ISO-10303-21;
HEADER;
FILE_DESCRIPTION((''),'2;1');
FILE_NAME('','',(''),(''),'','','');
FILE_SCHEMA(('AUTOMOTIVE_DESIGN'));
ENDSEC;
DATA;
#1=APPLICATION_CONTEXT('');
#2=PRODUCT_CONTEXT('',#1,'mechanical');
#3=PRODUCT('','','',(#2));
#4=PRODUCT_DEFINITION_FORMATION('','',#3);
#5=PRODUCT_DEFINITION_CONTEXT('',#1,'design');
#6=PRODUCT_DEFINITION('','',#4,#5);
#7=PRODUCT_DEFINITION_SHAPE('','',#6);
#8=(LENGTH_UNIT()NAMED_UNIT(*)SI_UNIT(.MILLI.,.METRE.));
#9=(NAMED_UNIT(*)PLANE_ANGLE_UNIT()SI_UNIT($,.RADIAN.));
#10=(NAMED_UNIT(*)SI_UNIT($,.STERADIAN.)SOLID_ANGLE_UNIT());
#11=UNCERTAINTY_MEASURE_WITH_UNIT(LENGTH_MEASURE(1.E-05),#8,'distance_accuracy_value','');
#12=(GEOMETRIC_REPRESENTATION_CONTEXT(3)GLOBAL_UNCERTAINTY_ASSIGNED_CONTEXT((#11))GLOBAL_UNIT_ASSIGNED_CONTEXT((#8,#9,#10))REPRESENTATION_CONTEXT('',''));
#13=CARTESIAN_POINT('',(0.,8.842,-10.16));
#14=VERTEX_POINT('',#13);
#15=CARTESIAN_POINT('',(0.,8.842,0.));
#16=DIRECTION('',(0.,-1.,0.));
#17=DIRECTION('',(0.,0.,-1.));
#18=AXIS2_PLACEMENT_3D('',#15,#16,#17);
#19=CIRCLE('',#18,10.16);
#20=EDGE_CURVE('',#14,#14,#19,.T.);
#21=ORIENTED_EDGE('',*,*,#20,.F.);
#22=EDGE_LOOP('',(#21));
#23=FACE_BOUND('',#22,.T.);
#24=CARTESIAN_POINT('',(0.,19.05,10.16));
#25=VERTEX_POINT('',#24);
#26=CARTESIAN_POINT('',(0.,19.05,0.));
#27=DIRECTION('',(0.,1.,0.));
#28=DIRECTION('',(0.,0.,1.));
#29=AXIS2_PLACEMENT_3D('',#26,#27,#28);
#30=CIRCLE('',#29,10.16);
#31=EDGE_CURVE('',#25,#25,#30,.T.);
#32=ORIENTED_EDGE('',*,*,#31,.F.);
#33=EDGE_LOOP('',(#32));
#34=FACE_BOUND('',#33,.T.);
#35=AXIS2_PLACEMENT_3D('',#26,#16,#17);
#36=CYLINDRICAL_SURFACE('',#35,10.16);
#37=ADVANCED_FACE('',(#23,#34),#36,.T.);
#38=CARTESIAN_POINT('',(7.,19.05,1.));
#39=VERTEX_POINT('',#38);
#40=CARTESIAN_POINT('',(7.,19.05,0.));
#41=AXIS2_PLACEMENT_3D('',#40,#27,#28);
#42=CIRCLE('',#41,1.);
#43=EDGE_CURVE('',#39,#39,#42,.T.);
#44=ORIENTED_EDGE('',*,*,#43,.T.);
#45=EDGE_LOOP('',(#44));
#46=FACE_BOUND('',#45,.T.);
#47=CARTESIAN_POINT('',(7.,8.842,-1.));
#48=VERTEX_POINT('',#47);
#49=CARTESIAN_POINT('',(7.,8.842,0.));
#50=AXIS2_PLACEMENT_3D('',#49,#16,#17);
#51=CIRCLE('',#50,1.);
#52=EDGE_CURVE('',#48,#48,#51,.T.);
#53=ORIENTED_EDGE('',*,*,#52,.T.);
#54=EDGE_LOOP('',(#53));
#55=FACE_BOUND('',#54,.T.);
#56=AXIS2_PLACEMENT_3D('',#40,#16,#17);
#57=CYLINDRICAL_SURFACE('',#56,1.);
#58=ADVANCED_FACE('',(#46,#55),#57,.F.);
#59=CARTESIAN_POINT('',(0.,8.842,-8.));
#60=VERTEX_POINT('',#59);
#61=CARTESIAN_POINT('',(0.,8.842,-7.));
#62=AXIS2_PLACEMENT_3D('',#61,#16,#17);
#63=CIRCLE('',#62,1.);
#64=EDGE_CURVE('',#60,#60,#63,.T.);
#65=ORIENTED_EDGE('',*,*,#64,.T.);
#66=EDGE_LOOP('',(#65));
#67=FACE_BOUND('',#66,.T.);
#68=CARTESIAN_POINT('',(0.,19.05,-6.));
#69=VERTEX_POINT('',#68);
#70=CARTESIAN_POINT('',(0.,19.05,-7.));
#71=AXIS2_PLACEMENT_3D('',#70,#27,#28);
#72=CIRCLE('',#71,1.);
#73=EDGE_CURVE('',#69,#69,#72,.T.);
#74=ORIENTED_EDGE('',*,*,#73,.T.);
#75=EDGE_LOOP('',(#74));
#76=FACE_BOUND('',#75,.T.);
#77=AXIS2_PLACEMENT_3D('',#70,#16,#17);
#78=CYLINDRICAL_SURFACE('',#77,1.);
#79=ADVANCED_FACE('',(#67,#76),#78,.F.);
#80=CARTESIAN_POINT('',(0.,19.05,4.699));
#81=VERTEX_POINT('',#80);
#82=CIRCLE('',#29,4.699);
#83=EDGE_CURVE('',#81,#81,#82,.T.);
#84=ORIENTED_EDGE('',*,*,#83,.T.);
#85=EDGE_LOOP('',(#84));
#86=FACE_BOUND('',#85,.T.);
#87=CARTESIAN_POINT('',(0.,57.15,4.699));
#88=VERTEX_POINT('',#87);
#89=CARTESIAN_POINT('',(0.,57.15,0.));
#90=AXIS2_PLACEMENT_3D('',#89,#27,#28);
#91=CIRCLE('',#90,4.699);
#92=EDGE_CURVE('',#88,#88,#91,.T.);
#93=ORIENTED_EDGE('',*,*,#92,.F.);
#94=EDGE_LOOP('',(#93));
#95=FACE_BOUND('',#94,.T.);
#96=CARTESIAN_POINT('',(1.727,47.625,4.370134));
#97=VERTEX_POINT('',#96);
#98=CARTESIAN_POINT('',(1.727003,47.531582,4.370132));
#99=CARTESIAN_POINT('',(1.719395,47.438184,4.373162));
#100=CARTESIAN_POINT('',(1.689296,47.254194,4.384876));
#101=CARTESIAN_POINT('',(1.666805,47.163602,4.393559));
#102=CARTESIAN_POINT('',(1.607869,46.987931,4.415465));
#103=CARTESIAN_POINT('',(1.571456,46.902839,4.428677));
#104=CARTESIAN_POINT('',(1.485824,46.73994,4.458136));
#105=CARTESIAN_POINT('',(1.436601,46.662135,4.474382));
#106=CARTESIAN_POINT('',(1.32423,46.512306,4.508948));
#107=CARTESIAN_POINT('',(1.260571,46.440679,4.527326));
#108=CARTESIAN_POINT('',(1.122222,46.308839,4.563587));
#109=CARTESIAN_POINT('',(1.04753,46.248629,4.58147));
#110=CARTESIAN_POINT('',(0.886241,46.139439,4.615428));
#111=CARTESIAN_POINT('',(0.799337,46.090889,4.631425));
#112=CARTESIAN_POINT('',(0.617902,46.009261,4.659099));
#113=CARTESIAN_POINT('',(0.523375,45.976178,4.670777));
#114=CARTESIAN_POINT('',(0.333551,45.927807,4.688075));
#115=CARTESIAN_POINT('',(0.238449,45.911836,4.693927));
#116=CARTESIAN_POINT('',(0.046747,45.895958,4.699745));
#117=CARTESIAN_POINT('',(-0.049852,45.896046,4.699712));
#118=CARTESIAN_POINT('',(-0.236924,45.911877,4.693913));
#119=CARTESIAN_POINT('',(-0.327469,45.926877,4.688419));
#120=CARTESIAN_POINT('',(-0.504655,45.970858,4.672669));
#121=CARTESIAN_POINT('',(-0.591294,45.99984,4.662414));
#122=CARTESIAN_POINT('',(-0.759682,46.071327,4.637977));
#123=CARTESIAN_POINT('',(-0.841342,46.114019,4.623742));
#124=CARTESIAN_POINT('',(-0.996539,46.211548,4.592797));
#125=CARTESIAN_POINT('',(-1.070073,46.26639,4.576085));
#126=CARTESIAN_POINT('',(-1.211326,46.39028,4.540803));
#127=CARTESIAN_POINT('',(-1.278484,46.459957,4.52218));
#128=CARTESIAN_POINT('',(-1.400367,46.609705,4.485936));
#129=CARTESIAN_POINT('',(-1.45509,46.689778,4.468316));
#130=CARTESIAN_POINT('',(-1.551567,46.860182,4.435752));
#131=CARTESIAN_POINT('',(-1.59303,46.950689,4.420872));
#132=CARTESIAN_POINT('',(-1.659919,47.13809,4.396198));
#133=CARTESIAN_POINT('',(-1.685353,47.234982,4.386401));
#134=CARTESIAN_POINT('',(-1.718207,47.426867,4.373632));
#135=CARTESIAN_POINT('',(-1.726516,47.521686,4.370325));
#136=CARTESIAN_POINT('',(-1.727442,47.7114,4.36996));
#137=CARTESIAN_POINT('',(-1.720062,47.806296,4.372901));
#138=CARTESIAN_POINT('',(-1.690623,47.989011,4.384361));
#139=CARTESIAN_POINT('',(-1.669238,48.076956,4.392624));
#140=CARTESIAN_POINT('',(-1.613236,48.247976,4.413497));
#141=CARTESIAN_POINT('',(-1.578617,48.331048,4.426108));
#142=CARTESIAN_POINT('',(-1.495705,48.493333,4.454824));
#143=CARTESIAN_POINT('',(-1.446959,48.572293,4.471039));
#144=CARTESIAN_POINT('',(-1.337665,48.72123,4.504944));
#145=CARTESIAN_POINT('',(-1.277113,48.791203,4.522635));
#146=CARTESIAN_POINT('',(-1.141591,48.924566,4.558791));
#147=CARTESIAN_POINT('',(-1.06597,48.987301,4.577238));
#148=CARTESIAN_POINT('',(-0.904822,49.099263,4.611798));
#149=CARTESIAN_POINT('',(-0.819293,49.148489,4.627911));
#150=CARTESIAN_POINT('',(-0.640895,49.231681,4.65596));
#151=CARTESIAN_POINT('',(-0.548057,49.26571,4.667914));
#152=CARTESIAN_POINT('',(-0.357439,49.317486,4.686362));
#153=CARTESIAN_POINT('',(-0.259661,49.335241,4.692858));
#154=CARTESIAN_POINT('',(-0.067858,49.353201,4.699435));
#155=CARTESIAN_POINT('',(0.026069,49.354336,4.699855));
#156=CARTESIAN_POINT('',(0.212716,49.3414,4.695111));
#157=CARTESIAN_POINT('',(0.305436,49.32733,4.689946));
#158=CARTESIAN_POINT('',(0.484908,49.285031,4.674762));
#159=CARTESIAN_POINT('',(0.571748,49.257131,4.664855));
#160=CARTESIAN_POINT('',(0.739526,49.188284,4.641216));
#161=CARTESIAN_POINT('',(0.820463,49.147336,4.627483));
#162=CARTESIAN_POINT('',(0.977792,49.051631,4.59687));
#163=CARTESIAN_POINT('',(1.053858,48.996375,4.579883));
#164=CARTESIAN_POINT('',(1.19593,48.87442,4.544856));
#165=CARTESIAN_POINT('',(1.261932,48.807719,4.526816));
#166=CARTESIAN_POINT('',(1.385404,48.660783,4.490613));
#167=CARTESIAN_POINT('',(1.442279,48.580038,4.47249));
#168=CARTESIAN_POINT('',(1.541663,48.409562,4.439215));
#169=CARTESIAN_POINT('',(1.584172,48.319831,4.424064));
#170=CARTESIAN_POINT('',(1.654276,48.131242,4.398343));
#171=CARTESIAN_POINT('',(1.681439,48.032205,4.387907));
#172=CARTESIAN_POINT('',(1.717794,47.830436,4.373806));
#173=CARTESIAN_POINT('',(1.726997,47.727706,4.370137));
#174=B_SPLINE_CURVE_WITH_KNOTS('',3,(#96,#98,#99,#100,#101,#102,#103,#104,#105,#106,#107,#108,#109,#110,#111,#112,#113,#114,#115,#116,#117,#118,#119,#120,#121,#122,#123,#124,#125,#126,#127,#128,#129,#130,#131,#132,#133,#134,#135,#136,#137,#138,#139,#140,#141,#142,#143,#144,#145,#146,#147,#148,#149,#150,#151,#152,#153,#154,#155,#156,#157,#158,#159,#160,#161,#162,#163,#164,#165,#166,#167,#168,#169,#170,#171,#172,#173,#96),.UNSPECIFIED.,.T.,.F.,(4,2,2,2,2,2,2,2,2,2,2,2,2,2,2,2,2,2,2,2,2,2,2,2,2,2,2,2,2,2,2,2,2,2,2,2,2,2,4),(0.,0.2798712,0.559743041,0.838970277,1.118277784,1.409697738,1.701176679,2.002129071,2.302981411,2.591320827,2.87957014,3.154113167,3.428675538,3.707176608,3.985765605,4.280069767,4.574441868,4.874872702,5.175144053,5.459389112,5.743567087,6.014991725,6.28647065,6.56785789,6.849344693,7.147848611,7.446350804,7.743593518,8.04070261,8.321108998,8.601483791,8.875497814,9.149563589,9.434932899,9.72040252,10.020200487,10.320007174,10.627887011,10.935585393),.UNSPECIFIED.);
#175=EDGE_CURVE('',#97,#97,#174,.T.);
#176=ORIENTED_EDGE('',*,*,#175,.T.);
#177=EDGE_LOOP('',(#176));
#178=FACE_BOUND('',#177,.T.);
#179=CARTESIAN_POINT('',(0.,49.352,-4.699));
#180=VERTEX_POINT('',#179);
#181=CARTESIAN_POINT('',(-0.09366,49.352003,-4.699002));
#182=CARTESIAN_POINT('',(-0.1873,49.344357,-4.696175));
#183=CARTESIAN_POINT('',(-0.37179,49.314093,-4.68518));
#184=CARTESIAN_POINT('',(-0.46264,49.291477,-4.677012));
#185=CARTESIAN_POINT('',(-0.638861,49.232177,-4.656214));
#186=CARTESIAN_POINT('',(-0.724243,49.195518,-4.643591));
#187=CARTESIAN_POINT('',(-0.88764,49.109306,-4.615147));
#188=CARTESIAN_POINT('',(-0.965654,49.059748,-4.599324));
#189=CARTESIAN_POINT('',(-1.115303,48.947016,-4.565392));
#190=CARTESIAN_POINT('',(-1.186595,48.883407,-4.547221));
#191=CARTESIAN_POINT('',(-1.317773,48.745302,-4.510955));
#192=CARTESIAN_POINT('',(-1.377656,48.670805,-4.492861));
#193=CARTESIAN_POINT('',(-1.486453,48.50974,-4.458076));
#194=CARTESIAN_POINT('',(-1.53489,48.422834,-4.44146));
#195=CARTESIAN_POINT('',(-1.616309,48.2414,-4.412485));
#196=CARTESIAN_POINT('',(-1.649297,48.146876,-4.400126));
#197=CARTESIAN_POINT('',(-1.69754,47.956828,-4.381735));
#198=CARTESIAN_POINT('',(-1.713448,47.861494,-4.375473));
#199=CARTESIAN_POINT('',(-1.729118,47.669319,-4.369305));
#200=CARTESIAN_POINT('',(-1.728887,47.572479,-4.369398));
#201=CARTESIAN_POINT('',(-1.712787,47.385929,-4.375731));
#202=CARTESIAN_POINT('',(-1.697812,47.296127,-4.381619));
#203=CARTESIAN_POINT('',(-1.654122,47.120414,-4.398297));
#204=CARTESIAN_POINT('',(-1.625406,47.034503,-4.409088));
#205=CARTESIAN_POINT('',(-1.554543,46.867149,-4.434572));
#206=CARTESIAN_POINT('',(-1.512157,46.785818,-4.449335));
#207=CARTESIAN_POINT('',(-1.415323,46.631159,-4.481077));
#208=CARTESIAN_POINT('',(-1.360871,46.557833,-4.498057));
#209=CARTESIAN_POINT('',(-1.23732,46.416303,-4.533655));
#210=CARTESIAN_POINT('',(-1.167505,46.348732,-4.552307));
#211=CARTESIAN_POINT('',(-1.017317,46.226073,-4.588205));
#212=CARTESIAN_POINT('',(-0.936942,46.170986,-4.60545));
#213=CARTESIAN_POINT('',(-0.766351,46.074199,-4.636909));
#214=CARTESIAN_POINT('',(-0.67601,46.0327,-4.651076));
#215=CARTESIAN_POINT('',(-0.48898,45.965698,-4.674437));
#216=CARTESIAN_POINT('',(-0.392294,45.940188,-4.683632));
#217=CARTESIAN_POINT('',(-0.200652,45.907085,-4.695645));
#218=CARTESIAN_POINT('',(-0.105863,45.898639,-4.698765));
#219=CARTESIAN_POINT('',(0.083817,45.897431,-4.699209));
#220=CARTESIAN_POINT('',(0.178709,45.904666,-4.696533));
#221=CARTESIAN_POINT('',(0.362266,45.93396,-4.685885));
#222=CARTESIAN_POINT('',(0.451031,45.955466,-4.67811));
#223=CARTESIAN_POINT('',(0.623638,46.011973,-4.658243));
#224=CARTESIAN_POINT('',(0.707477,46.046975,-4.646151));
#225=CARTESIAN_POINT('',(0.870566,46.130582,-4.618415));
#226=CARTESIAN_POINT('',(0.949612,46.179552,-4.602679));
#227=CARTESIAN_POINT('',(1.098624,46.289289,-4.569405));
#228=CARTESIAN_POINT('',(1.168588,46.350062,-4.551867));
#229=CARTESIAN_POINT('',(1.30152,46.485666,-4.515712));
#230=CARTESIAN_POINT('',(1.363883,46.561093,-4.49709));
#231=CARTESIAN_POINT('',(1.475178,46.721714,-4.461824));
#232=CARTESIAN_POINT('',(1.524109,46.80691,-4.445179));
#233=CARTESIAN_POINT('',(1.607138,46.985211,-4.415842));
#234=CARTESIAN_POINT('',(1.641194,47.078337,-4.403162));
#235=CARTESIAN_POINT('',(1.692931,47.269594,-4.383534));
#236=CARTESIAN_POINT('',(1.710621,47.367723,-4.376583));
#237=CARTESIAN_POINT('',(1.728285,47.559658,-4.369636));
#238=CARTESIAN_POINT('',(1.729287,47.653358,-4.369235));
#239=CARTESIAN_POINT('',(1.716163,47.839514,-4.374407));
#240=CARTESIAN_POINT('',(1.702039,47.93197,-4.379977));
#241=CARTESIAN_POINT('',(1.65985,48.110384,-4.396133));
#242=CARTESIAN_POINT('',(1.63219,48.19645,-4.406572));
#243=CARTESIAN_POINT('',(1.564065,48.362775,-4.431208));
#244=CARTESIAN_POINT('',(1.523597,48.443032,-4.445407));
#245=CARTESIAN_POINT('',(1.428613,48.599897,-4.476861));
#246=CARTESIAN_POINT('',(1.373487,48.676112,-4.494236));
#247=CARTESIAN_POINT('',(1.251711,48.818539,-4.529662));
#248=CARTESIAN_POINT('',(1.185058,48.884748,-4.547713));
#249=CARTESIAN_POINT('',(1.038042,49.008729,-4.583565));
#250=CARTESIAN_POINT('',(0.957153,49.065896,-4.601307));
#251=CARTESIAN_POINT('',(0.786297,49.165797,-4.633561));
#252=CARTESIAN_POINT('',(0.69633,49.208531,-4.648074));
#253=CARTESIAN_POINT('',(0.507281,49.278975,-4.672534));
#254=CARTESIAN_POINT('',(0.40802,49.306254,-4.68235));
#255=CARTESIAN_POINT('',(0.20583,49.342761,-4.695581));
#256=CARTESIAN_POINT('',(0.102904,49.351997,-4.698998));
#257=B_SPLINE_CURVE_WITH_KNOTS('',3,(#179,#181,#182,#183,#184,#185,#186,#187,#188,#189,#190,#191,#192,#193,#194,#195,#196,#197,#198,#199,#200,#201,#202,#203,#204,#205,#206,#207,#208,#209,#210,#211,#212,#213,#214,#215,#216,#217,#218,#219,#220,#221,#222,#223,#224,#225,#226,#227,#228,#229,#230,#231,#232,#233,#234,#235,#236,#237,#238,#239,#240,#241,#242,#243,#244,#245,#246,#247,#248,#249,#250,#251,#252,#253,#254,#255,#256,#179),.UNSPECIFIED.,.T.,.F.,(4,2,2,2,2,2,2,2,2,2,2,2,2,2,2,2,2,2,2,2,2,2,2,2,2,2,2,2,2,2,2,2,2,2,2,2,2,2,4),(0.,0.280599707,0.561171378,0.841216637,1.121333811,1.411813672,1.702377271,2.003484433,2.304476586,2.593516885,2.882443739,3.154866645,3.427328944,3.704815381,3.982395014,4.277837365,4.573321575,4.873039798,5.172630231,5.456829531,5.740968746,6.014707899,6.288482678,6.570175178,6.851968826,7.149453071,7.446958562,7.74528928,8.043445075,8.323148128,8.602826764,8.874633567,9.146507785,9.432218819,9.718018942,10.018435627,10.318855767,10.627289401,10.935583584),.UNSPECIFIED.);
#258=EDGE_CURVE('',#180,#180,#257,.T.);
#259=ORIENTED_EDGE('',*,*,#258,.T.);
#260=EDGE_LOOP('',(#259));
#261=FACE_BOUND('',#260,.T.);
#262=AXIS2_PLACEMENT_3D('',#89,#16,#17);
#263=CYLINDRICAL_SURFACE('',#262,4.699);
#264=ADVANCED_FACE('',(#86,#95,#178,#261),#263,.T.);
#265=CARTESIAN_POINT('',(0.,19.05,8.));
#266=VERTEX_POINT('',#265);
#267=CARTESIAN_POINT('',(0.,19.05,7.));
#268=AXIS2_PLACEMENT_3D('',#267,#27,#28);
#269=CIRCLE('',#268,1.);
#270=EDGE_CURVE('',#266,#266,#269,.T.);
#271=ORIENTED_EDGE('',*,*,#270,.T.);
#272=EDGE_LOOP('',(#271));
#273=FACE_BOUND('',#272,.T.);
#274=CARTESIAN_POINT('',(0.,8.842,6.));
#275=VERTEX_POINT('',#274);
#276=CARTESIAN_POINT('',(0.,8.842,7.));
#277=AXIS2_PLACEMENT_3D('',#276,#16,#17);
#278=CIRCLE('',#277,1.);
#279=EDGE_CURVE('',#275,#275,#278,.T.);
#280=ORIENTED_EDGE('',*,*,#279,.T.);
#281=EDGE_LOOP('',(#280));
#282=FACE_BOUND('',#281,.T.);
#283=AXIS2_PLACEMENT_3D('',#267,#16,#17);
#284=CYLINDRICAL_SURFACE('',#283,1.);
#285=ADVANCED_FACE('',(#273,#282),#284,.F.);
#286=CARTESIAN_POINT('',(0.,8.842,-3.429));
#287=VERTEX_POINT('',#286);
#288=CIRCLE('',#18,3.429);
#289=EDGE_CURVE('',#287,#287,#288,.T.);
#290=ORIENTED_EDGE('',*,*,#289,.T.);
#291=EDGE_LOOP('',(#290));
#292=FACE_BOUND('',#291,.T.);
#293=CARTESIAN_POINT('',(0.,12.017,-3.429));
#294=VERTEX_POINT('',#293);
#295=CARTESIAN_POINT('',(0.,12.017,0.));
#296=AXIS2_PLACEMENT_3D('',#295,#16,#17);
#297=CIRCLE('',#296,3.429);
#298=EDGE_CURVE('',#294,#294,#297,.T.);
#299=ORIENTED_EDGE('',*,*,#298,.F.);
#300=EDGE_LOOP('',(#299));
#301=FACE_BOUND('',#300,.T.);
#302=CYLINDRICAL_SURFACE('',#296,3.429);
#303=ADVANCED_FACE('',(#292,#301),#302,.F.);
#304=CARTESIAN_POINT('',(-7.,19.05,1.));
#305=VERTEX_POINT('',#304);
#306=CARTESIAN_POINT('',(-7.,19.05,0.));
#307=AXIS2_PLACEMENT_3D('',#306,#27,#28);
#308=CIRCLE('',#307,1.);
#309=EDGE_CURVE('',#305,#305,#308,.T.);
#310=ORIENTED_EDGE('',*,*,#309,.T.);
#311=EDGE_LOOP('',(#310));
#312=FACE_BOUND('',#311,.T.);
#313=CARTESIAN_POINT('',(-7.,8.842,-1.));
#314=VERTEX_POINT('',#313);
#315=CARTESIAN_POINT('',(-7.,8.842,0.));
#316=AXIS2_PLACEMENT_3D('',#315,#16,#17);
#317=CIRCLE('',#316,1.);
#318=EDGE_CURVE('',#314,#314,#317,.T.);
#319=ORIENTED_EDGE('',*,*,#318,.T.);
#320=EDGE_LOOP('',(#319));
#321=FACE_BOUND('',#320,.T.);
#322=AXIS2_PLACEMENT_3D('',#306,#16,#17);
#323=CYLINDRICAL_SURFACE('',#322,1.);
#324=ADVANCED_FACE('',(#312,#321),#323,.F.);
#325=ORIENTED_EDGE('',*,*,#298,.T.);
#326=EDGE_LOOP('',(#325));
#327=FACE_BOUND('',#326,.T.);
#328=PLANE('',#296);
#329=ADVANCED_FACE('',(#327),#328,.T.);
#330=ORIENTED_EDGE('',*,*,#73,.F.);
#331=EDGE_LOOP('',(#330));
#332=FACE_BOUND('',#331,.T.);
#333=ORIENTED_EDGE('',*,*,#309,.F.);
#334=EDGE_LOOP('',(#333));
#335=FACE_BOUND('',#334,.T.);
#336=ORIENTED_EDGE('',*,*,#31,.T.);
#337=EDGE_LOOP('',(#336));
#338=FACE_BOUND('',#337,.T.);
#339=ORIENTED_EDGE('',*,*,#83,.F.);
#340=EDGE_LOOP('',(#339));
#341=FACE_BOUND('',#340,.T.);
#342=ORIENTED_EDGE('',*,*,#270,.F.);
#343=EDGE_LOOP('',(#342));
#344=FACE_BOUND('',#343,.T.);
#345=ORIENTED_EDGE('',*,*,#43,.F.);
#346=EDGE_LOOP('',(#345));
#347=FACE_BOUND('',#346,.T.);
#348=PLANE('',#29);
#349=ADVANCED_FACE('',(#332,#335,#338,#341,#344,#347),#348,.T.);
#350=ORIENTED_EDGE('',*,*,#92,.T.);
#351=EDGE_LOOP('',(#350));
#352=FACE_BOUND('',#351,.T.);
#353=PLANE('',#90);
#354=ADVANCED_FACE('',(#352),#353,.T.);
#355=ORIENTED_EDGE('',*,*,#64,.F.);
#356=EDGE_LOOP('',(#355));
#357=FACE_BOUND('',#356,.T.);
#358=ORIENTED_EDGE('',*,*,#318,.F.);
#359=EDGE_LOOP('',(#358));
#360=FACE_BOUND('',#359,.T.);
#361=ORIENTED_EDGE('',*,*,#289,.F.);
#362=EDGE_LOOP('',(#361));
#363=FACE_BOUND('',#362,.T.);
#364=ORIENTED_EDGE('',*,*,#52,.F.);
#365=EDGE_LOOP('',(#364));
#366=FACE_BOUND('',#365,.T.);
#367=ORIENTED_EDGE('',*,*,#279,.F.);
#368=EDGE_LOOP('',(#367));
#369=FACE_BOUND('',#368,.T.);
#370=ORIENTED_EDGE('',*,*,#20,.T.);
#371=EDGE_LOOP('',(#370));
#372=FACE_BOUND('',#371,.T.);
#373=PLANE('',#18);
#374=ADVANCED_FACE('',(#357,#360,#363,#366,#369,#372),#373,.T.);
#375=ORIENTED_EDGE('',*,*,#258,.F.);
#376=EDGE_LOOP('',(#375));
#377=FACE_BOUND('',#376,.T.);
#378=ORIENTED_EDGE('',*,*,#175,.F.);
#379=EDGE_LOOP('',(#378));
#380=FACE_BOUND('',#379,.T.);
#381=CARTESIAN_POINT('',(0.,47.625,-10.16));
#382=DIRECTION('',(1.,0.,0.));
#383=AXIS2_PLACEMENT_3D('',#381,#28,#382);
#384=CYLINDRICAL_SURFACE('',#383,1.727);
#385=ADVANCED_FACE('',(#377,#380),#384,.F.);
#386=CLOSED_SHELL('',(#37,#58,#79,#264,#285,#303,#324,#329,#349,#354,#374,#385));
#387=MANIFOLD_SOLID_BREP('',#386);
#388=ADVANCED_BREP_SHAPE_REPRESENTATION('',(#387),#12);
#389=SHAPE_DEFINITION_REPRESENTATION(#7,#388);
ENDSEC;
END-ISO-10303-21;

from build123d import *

# Parameters (mm, degrees)
SKETCH1_R               = 10.16
SKETCH1_R_2             = 1.000000032
BOSS_EXTRUDE1_DEPTH     = 19.05
SKETCH2_R               = 4.699
BOSS_EXTRUDE2_DEPTH     = 38.1
SKETCH4_R               = 10.16
CUT_EXTRUDE2_DEPTH      = 8.842000096
CUT_EXTRUDE3_START      = 8.842
SKETCH3_R               = 3.429
CUT_EXTRUDE3_DEPTH      = 3.175
SKETCH5_R               = 1.726999975
CUT_EXTRUDE4_DEPTH      = 11.16
CUT_EXTRUDE4_DEPTH_BACK = 11.16


with BuildPart() as part:
    # Sketch1 → Boss-Extrude1 (new body)
    with BuildSketch(Plane(origin=(0, 0, 0), x_dir=(1, 0, 0), z_dir=(0, 1, 0))):
        Circle(SKETCH1_R)
        with Locations((6.99999997, 0)):
            Circle(SKETCH1_R_2, mode=Mode.SUBTRACT)
        with Locations((0, -6.99999997)):
            Circle(SKETCH1_R_2, mode=Mode.SUBTRACT)
        with Locations((-6.99999997, 0)):
            Circle(SKETCH1_R_2, mode=Mode.SUBTRACT)
        with Locations((0, 6.99999997)):
            Circle(SKETCH1_R_2, mode=Mode.SUBTRACT)
    extrude(amount=BOSS_EXTRUDE1_DEPTH)

    # Sketch2 → Boss-Extrude2 (add)
    with BuildSketch(Plane(origin=(0, 19.05, 0), x_dir=(1, 0, 0), z_dir=(0, 1, 0))):
        Circle(SKETCH2_R)
    extrude(amount=BOSS_EXTRUDE2_DEPTH)

    # Sketch4 → Cut-Extrude2 (cut)
    with BuildSketch(Plane.XZ):
        Circle(SKETCH4_R)
    extrude(amount=-CUT_EXTRUDE2_DEPTH, mode=Mode.SUBTRACT)

    # Sketch3 → Cut-Extrude3 (cut)
    with BuildSketch(Plane(origin=(0, 0, 0), x_dir=(1, 0, 0), z_dir=(0, 1, 0)).offset(CUT_EXTRUDE3_START)):
        Circle(SKETCH3_R)
    extrude(amount=CUT_EXTRUDE3_DEPTH, mode=Mode.SUBTRACT)

    # Sketch5 → Cut-Extrude4 (cut, two sides)
    with BuildSketch(Plane.XY) as cut_extrude4_sk:
        with Locations((0, 47.625)):
            Circle(SKETCH5_R)
    extrude(amount=CUT_EXTRUDE4_DEPTH, mode=Mode.SUBTRACT)
    extrude(cut_extrude4_sk.sketch, amount=-CUT_EXTRUDE4_DEPTH_BACK, mode=Mode.SUBTRACT)


solid = part.part
